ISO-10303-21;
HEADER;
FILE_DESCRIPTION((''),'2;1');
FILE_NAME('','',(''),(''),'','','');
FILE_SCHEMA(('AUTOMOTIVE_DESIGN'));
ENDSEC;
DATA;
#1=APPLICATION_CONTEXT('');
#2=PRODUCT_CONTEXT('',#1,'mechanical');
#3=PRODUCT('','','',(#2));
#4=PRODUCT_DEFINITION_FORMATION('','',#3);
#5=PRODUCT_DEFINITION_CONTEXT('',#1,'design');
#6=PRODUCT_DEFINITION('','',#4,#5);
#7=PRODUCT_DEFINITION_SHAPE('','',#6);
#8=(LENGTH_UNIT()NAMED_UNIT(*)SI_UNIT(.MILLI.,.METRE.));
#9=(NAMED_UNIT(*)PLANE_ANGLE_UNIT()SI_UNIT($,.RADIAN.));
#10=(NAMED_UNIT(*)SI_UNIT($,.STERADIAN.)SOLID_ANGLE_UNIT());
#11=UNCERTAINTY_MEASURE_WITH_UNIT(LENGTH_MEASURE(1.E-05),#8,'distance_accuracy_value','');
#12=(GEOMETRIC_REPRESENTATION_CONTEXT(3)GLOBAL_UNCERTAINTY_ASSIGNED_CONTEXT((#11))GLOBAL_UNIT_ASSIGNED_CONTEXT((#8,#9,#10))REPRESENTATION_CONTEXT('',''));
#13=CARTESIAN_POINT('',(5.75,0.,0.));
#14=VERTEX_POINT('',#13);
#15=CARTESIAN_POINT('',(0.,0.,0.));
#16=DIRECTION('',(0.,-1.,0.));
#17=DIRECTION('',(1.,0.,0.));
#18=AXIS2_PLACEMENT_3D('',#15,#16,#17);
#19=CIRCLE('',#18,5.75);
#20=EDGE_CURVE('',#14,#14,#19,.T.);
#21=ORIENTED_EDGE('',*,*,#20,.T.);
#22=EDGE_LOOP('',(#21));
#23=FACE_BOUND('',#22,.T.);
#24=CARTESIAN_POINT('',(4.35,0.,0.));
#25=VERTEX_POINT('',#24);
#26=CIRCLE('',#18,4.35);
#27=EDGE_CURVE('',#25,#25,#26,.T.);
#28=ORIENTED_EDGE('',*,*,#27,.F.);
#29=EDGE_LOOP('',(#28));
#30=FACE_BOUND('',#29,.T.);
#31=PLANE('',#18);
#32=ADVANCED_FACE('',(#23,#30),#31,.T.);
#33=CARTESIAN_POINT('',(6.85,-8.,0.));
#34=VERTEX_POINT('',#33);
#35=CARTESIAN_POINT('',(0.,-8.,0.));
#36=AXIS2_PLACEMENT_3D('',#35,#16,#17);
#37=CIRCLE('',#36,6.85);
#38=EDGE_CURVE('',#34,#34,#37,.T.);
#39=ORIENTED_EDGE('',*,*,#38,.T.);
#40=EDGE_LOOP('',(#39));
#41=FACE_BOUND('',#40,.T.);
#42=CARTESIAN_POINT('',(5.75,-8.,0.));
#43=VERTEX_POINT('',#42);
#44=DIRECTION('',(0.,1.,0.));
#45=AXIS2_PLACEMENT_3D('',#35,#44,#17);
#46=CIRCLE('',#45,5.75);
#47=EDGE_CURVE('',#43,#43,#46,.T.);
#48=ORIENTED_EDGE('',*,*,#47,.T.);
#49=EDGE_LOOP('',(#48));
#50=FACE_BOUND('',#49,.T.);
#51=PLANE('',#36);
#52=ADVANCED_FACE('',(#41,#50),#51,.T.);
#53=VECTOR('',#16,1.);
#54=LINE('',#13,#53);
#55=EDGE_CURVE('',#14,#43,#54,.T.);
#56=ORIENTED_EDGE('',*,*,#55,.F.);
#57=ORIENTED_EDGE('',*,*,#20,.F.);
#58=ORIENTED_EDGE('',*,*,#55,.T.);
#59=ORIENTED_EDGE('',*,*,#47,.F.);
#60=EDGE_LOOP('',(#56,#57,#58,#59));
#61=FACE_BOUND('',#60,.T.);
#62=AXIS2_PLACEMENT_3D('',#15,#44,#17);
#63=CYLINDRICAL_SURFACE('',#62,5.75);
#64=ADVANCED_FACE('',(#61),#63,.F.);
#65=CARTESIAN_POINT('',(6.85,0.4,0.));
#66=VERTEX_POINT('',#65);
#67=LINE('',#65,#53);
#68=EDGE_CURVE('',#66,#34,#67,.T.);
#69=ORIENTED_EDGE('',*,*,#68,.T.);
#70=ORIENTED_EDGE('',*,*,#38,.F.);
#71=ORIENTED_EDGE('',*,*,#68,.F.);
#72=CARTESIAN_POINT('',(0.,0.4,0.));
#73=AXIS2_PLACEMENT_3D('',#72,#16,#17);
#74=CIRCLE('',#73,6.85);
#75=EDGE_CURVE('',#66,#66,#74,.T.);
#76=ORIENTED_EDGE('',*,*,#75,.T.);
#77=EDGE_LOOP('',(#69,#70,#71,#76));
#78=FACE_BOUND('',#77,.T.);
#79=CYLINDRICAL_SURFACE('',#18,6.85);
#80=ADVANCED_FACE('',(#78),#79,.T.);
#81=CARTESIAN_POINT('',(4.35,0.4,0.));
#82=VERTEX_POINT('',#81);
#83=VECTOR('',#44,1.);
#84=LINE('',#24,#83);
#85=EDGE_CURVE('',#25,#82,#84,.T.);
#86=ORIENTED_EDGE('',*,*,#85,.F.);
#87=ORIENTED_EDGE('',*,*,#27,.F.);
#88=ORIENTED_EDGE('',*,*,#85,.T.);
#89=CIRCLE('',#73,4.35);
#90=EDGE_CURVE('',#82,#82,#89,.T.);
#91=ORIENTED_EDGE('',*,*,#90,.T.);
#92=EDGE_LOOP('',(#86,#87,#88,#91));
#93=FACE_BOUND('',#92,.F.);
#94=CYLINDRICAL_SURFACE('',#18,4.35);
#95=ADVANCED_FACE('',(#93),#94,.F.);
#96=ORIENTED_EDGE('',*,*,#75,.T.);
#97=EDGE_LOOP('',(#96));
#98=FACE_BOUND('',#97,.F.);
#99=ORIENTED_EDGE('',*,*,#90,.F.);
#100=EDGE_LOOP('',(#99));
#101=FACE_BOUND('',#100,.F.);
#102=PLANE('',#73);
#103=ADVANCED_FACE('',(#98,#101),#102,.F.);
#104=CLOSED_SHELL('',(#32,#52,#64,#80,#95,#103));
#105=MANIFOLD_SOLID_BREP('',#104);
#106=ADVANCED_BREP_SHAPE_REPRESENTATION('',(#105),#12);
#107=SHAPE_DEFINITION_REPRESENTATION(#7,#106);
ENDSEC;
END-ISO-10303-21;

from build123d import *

# Parameters (mm, degrees)
F0_R     = 6.85
F0_R_2   = 5.75
F0_R_3   = 4.35
F1_DEPTH = 8
F2_DEPTH = 25
F3_DEPTH = 0.4


with BuildPart() as f1:
    # F0 (on Front) → F1 (new body)
    with BuildSketch(Plane.XZ):
        Circle(F0_R)
        Circle(F0_R_2, mode=Mode.SUBTRACT)
        Circle(F0_R_2)
        Circle(F0_R_3, mode=Mode.SUBTRACT)
        Circle(F0_R_3)
    extrude(amount=F1_DEPTH)

    # F0 (on Front) → F2 (cut)
    with BuildSketch(Plane.XZ):
        Circle(F0_R_2)
        Circle(F0_R_3, mode=Mode.SUBTRACT)
        Circle(F0_R_3)
    extrude(amount=F2_DEPTH, mode=Mode.SUBTRACT)

    # F0 (on Front) → F3 (join)
    with BuildSketch(Plane.XZ):
        Circle(F0_R)
        Circle(F0_R_2, mode=Mode.SUBTRACT)
        Circle(F0_R_2)
        Circle(F0_R_3, mode=Mode.SUBTRACT)
    extrude(amount=-F3_DEPTH)


solid = f1.part
